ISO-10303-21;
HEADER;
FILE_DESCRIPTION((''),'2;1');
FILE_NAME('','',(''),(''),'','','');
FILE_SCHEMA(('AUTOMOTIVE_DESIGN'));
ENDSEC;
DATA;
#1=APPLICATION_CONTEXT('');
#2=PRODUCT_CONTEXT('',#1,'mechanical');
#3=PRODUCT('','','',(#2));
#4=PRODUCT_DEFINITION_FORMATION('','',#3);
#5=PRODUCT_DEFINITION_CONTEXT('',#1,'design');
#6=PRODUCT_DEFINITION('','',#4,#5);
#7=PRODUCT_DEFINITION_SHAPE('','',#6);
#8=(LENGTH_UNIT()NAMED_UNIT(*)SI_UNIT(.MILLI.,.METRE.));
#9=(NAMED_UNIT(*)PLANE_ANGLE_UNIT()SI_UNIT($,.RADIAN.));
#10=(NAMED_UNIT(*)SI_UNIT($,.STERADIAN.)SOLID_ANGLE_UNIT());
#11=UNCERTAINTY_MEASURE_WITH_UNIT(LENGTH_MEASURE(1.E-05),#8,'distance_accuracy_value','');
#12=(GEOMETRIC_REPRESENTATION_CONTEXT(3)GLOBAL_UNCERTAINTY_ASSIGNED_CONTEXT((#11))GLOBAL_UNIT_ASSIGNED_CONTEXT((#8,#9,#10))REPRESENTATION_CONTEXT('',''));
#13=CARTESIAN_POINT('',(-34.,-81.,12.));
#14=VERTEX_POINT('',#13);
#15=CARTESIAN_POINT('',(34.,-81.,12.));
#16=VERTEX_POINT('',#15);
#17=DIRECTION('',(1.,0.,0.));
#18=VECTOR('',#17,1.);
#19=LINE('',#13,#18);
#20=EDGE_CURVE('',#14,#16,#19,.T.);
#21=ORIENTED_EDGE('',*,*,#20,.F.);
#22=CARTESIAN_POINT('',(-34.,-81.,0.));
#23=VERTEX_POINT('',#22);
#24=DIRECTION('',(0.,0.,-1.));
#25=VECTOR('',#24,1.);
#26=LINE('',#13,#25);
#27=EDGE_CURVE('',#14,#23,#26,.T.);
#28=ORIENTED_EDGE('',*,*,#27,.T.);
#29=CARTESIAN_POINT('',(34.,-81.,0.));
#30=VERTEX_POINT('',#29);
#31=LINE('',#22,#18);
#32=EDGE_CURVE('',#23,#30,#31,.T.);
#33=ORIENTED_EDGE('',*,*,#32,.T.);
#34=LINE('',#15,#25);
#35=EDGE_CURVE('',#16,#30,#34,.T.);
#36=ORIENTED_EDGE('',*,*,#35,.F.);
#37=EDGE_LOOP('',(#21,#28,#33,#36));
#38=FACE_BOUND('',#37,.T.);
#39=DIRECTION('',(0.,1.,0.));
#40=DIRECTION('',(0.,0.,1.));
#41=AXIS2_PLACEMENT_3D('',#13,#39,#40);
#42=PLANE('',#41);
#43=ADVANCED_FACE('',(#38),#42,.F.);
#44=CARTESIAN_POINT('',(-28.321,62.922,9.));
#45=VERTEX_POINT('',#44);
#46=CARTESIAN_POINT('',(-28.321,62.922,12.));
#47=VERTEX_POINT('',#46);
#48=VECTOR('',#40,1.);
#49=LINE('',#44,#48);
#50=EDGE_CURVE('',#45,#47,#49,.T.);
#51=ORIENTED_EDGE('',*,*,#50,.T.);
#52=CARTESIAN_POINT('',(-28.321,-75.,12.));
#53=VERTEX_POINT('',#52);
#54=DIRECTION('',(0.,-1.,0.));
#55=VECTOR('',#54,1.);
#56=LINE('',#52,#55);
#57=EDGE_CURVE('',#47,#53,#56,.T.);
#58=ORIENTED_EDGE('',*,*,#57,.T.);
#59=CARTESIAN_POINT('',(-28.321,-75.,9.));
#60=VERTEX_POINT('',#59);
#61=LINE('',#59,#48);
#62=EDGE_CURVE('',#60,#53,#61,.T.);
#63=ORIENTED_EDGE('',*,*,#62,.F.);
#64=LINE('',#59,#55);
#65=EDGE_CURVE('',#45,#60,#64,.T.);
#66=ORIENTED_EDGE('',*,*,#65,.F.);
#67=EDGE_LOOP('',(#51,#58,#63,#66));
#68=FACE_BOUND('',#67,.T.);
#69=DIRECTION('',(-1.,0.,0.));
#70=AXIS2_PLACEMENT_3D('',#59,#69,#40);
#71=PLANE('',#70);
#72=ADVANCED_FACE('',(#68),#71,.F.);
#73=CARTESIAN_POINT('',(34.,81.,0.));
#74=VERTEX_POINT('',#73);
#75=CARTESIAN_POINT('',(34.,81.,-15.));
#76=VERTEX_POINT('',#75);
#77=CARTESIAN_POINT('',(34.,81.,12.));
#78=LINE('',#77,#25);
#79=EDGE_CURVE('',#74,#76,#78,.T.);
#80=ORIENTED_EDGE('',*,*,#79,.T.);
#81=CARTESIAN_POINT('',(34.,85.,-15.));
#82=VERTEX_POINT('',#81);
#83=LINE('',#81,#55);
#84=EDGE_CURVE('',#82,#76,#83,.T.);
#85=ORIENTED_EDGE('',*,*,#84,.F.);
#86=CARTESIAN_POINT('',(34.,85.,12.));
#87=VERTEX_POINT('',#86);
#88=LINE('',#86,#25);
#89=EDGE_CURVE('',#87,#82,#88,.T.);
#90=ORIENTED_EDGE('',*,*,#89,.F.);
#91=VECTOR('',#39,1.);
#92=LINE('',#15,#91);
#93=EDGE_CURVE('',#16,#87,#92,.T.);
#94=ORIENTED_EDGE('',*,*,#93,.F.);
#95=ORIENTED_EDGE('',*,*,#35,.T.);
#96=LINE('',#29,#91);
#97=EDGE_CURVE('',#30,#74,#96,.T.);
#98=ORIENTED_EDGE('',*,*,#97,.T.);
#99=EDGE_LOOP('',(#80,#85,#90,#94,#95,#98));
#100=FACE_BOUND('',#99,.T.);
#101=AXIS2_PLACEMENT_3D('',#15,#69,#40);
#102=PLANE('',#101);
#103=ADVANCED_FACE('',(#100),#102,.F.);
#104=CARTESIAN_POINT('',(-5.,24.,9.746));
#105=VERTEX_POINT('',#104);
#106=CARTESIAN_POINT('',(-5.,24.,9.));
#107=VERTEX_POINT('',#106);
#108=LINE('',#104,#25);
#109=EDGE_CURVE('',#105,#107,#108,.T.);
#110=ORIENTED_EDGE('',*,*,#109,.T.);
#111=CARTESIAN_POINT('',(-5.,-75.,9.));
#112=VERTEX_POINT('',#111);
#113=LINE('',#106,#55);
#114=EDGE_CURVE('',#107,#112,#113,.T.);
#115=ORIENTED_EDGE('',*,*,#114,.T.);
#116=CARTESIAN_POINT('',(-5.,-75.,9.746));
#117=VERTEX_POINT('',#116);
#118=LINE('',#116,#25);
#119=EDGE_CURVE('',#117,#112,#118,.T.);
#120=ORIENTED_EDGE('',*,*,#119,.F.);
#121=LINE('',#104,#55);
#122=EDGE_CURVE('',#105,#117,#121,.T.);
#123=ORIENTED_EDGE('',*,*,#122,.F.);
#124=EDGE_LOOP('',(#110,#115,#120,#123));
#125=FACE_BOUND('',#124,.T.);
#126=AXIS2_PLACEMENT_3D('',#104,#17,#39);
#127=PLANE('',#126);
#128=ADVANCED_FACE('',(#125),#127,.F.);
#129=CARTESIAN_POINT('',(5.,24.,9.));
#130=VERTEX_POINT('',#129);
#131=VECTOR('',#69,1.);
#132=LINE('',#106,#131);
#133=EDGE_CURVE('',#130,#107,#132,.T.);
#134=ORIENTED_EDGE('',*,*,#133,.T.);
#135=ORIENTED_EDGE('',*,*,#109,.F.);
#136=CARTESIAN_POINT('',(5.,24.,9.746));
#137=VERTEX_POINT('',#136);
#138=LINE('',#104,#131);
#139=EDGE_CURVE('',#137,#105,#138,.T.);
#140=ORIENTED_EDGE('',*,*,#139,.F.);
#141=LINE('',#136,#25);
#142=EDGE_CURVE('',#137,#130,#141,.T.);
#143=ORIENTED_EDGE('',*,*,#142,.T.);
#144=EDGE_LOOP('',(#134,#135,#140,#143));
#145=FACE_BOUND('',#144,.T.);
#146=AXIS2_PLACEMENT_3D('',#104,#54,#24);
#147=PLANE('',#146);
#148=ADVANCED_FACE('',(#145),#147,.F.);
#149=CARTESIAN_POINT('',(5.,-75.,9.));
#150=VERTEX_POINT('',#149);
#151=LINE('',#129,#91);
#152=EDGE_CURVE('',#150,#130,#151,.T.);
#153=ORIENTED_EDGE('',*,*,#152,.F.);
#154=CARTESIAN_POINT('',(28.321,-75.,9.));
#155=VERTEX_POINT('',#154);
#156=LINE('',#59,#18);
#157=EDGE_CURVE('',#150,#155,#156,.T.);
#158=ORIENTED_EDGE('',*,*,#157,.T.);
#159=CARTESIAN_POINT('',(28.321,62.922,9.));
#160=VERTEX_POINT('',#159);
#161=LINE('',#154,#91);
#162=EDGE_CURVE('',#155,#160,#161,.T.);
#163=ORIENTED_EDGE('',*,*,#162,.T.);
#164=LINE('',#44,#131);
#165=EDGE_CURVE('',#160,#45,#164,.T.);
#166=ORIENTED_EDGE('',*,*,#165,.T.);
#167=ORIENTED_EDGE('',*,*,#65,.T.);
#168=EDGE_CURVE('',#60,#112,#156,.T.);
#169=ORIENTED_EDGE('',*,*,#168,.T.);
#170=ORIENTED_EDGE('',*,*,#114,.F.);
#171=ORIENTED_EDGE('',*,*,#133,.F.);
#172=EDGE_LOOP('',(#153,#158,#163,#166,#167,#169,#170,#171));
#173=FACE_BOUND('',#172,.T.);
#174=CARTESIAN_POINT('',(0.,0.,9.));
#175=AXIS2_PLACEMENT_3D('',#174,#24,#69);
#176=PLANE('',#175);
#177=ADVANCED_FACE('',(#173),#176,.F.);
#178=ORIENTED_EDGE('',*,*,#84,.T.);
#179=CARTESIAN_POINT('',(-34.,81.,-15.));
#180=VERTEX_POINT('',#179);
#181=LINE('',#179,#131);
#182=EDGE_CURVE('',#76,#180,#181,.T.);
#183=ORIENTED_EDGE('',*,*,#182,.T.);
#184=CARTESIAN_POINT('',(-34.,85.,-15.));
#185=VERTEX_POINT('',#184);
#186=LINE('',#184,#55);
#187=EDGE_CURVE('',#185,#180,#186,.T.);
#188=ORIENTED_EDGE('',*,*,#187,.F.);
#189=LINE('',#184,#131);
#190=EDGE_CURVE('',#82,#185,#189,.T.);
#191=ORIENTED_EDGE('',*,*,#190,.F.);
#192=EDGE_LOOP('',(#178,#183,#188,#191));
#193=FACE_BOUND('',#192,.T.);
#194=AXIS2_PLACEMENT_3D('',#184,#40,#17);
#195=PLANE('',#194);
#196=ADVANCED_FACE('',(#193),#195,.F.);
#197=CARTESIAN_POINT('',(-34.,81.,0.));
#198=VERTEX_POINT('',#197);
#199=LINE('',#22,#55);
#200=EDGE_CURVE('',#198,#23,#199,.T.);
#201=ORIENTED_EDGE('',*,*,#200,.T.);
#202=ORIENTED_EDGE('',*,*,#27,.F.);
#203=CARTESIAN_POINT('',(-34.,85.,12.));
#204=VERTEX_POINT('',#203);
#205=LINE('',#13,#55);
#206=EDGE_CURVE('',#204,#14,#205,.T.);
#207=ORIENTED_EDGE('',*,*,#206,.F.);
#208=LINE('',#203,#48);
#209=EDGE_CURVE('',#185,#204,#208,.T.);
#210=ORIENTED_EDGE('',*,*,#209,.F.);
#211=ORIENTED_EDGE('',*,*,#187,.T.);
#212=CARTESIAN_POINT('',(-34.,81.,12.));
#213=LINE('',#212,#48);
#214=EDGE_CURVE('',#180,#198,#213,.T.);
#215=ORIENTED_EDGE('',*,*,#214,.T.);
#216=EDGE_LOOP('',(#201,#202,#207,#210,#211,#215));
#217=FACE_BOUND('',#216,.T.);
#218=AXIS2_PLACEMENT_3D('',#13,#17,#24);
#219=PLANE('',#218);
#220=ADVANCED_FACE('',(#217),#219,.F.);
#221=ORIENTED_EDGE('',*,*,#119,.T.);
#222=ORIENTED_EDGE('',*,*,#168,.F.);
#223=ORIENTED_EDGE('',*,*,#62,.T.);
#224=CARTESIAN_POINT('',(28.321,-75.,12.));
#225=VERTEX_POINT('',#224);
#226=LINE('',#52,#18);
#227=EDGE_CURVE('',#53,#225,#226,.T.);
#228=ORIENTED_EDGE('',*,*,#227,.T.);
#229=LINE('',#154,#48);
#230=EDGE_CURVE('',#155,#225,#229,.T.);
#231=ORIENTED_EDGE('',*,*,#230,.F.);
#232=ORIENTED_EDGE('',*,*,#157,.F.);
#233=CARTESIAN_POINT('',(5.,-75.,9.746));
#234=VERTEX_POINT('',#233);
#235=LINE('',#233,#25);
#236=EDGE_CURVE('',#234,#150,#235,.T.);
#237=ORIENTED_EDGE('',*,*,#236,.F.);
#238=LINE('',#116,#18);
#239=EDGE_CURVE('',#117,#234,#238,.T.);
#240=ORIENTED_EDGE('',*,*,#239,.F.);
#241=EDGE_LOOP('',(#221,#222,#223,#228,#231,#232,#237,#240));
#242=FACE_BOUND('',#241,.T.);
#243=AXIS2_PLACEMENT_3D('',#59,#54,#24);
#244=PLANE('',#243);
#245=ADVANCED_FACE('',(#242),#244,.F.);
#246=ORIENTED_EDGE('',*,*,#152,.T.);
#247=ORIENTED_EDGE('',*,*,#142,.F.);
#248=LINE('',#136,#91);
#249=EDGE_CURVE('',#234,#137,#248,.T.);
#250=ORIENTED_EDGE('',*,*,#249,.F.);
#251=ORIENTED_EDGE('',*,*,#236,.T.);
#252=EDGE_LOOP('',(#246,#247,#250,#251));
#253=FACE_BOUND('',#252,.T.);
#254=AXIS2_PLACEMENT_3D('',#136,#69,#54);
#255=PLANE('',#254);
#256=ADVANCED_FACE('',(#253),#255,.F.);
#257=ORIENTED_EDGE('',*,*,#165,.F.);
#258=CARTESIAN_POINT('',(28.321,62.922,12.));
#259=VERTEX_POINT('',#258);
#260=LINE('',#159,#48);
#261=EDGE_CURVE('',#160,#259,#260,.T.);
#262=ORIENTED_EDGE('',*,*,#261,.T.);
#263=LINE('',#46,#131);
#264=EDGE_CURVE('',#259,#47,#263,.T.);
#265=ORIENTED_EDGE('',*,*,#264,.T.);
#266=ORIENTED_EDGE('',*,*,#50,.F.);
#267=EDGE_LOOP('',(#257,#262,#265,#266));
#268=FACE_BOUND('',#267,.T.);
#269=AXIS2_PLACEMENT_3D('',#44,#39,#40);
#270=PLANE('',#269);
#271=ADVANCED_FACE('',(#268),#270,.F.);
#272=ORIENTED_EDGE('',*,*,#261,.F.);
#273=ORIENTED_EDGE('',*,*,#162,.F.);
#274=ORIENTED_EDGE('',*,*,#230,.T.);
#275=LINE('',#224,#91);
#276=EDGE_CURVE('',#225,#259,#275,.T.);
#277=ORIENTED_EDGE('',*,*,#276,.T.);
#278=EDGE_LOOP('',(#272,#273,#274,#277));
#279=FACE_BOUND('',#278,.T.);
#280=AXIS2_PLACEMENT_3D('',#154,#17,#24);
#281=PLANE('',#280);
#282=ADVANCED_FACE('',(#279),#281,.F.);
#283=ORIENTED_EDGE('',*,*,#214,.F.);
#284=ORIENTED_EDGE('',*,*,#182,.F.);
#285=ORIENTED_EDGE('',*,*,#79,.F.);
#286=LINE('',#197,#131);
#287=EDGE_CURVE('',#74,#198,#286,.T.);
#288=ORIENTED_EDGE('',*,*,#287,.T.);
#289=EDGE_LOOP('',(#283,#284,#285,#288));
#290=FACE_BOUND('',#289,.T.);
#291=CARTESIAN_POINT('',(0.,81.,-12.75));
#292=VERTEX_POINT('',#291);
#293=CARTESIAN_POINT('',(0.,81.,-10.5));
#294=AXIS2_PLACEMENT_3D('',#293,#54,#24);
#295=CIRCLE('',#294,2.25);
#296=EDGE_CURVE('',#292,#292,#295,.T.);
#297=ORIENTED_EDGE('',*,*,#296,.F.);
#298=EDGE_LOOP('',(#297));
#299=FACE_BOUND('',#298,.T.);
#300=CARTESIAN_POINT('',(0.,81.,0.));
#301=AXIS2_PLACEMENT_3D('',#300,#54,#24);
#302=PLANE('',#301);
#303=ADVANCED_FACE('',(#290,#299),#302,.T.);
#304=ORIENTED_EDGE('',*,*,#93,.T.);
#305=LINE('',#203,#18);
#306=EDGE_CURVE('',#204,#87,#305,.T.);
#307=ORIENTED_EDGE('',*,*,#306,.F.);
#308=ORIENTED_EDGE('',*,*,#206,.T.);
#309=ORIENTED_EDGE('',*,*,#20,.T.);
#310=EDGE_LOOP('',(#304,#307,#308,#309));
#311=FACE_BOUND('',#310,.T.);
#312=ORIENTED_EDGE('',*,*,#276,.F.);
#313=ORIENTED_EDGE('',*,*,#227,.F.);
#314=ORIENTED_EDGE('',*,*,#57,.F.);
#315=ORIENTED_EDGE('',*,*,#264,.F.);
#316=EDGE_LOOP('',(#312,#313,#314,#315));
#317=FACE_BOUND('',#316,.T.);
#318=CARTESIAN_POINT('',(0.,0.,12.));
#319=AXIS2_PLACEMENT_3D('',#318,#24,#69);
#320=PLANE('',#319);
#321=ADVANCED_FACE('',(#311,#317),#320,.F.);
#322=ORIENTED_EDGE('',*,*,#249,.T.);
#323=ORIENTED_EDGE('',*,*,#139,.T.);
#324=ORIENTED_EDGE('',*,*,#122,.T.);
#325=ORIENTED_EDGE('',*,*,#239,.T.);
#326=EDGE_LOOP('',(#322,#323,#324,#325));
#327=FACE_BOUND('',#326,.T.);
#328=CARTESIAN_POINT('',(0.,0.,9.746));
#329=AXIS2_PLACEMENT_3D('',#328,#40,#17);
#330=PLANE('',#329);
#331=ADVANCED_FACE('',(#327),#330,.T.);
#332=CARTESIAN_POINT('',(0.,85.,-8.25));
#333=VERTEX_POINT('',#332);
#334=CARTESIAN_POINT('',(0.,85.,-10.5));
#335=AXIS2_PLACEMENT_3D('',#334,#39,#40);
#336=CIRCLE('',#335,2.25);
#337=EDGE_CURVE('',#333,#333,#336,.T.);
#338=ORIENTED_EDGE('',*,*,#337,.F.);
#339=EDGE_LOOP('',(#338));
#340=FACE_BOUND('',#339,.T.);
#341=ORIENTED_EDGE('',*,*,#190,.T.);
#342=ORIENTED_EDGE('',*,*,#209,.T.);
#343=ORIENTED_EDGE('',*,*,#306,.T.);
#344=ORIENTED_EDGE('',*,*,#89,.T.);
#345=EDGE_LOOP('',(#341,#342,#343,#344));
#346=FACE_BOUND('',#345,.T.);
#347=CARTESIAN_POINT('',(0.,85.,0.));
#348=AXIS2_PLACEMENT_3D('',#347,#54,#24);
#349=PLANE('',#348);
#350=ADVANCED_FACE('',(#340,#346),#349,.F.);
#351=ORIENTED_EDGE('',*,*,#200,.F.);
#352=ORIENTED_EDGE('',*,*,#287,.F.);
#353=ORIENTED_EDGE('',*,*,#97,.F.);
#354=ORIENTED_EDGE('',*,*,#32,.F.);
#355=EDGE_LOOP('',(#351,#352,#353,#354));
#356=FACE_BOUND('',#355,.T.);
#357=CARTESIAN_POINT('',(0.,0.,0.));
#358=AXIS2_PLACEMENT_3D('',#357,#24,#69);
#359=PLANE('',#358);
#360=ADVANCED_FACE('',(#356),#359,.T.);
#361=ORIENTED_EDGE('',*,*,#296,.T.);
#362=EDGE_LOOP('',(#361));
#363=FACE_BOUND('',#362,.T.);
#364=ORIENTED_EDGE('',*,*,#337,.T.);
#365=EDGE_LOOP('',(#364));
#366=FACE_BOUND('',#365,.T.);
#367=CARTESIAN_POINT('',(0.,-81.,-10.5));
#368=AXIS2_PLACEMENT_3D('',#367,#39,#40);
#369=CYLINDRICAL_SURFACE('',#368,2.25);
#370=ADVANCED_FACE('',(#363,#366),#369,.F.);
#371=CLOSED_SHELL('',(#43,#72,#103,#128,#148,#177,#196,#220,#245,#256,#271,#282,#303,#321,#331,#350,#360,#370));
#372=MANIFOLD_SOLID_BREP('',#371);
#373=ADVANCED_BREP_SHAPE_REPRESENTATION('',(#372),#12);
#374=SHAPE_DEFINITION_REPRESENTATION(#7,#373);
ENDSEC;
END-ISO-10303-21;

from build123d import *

# Parameters (mm, degrees)
SKETCH1_W           = 68
SKETCH1_H           = 162
BOSS_EXTRUDE1_DEPTH = 12
SKETCH2_W           = 68
SKETCH2_H           = 27
BOSS_EXTRUDE2_DEPTH = 4
SKETCH4_R           = 2.25
CUT_EXTRUDE1_DEPTH  = 171.108788721
SKETCH5_W           = 56.642
SKETCH5_H           = 137.922
CUT_EXTRUDE2_DEPTH  = 3
SKETCH6_W           = 10
SKETCH6_H           = 99
BOSS_EXTRUDE3_DEPTH = 0.746


with BuildPart() as part:
    # Sketch1 → Boss-Extrude1 (new body)
    with BuildSketch(Plane.XY):
        Rectangle(SKETCH1_W, SKETCH1_H)
    extrude(amount=BOSS_EXTRUDE1_DEPTH)

    # Sketch2 → Boss-Extrude2 (add)
    with BuildSketch(Plane(origin=(0, 81, 0), x_dir=(1, 0, 0), z_dir=(0, 1, 0))):
        with Locations((0, 1.5)):
            Rectangle(SKETCH2_W, SKETCH2_H)
    extrude(amount=BOSS_EXTRUDE2_DEPTH)

    # Sketch4 → Cut-Extrude1 (cut, through all)
    with BuildSketch(Plane(origin=(0, 85, 0), x_dir=(1, 0, 0), z_dir=(0, 1, 0))):
        with Locations(Location((0, 10.5, 0), (0, 0, 270))):
            Circle(SKETCH4_R)
    extrude(amount=-CUT_EXTRUDE1_DEPTH, mode=Mode.SUBTRACT)

    # Sketch5 → Cut-Extrude2 (cut)
    with BuildSketch(Plane.XY.offset(12)):
        with Locations((0, -6.039)):
            Rectangle(SKETCH5_W, SKETCH5_H)
    extrude(amount=-CUT_EXTRUDE2_DEPTH, mode=Mode.SUBTRACT)

    # Sketch6 → Boss-Extrude3 (add)
    with BuildSketch(Plane.XY.offset(9)):
        with Locations((0, -25.5)):
            Rectangle(SKETCH6_W, SKETCH6_H)
    extrude(amount=BOSS_EXTRUDE3_DEPTH)


solid = part.part
